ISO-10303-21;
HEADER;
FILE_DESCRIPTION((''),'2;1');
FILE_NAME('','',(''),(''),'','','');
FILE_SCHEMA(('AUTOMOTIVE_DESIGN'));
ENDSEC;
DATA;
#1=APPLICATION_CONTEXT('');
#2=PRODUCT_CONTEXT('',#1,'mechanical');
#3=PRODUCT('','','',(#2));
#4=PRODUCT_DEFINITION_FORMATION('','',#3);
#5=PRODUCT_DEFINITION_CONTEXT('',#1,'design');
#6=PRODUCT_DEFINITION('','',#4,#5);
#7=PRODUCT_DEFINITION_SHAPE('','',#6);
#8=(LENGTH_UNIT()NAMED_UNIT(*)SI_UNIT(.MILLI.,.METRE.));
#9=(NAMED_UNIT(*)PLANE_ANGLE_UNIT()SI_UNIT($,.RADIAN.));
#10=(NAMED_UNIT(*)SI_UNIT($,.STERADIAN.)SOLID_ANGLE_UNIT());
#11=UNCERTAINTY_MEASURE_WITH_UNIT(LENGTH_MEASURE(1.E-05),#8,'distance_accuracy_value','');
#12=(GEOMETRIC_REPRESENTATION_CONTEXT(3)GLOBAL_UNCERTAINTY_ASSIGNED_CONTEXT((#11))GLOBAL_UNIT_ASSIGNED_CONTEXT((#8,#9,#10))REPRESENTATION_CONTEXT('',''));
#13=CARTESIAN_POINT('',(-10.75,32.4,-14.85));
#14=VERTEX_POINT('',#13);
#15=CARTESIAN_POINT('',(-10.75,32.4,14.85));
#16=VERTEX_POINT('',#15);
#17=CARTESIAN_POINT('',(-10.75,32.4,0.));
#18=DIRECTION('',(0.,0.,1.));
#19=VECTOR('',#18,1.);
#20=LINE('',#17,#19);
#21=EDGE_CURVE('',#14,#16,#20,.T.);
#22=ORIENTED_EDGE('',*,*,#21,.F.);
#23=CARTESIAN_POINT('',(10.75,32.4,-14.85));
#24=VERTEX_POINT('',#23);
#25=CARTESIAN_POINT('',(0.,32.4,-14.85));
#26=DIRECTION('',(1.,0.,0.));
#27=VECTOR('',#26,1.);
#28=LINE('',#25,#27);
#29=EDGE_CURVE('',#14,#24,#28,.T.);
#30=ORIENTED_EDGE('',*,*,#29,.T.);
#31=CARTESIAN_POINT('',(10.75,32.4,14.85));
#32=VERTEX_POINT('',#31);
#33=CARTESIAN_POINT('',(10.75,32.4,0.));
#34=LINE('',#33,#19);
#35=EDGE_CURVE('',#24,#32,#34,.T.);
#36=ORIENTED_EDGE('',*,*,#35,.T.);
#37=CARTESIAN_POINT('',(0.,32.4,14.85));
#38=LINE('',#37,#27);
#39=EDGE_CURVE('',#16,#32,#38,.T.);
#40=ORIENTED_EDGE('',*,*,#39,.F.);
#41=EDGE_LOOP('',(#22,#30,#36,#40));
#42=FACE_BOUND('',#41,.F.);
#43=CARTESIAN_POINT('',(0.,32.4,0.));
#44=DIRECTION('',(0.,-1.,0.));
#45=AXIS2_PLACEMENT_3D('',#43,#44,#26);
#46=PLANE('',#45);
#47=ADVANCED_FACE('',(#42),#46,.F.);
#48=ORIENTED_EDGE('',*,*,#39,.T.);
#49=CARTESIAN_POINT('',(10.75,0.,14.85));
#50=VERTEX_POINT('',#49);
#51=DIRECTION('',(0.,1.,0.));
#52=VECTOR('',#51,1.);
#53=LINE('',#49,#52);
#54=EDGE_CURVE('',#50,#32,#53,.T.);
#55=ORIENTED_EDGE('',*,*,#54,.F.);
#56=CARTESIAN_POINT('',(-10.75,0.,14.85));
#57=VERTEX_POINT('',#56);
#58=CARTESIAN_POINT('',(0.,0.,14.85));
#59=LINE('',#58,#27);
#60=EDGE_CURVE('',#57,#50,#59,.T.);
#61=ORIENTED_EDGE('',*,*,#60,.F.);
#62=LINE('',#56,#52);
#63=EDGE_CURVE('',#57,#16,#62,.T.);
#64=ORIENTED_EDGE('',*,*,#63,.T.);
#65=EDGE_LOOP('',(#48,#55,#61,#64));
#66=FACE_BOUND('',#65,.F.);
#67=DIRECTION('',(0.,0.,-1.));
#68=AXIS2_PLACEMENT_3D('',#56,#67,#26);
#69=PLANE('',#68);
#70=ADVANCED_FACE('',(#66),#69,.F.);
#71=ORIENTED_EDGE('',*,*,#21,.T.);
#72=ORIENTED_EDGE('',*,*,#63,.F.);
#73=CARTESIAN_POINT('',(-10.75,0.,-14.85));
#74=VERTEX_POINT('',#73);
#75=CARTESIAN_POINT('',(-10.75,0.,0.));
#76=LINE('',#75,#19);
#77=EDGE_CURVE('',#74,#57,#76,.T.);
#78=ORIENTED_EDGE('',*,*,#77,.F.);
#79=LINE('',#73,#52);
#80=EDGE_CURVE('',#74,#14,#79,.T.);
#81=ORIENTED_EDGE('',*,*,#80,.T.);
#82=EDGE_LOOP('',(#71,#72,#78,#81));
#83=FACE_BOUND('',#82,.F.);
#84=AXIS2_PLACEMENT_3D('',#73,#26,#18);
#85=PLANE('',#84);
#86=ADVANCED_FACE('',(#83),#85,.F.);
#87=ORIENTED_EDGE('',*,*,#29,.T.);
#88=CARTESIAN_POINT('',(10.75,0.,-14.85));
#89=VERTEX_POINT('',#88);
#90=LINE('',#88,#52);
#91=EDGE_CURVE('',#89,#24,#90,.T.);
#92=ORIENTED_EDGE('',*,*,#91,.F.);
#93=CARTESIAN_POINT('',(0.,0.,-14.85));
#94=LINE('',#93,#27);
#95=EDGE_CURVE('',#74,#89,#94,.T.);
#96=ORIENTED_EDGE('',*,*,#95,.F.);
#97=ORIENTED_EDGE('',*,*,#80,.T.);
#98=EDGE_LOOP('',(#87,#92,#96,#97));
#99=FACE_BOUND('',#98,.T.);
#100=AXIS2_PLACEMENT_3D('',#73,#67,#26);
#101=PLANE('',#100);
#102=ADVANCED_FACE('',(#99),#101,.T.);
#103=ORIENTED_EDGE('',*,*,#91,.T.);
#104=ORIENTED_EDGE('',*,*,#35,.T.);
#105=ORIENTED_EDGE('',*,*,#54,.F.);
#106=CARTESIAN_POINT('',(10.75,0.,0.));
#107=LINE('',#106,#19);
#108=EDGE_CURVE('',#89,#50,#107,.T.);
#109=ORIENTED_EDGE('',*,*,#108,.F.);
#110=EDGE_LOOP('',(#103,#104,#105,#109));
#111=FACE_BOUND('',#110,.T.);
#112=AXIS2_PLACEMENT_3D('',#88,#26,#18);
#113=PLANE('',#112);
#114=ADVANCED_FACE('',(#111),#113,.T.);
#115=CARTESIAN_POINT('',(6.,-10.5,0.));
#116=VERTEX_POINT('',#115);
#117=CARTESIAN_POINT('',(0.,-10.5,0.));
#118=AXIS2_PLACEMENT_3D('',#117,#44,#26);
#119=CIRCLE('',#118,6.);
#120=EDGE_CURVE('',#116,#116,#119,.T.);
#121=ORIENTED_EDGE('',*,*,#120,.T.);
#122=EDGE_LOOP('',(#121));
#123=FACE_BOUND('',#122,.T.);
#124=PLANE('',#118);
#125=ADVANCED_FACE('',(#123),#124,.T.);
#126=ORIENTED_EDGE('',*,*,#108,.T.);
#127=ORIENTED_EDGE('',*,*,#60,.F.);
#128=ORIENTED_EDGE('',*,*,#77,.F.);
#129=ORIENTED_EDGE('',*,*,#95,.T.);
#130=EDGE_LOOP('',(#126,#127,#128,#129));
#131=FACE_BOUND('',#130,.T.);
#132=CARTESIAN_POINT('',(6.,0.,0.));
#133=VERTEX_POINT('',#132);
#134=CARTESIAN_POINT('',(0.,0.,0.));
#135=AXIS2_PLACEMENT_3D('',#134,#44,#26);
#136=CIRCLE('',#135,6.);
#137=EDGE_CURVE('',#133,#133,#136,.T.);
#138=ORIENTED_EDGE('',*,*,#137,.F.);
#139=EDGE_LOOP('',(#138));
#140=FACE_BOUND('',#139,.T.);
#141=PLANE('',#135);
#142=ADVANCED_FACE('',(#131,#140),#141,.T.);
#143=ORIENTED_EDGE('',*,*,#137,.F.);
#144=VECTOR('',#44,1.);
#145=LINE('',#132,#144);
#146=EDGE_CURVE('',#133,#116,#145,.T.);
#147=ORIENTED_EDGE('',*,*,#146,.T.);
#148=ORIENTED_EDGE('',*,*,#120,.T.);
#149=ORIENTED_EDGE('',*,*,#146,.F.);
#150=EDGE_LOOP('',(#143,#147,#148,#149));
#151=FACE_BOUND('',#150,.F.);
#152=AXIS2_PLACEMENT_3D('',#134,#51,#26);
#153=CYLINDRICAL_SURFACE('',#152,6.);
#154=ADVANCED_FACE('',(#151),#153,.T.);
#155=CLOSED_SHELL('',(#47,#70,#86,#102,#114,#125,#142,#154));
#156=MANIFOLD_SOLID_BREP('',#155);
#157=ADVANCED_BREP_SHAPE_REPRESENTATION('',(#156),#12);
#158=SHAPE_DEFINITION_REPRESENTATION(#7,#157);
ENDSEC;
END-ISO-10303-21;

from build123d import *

# Parameters (mm, degrees)
F0_W     = 21.5
F0_H     = 29.7
F1_DEPTH = 32.4
F2_R     = 6
F3_DEPTH = 10.5


with BuildPart() as f1:
    # F0 (on Front) → F1 (new body)
    with BuildSketch(Plane.XZ):
        Rectangle(F0_W, F0_H)
    extrude(amount=-F1_DEPTH)

    # F2 (on face) → F3 (join)
    with BuildSketch(Plane.XZ):
        Circle(F2_R)
    extrude(amount=F3_DEPTH)


solid = f1.part
